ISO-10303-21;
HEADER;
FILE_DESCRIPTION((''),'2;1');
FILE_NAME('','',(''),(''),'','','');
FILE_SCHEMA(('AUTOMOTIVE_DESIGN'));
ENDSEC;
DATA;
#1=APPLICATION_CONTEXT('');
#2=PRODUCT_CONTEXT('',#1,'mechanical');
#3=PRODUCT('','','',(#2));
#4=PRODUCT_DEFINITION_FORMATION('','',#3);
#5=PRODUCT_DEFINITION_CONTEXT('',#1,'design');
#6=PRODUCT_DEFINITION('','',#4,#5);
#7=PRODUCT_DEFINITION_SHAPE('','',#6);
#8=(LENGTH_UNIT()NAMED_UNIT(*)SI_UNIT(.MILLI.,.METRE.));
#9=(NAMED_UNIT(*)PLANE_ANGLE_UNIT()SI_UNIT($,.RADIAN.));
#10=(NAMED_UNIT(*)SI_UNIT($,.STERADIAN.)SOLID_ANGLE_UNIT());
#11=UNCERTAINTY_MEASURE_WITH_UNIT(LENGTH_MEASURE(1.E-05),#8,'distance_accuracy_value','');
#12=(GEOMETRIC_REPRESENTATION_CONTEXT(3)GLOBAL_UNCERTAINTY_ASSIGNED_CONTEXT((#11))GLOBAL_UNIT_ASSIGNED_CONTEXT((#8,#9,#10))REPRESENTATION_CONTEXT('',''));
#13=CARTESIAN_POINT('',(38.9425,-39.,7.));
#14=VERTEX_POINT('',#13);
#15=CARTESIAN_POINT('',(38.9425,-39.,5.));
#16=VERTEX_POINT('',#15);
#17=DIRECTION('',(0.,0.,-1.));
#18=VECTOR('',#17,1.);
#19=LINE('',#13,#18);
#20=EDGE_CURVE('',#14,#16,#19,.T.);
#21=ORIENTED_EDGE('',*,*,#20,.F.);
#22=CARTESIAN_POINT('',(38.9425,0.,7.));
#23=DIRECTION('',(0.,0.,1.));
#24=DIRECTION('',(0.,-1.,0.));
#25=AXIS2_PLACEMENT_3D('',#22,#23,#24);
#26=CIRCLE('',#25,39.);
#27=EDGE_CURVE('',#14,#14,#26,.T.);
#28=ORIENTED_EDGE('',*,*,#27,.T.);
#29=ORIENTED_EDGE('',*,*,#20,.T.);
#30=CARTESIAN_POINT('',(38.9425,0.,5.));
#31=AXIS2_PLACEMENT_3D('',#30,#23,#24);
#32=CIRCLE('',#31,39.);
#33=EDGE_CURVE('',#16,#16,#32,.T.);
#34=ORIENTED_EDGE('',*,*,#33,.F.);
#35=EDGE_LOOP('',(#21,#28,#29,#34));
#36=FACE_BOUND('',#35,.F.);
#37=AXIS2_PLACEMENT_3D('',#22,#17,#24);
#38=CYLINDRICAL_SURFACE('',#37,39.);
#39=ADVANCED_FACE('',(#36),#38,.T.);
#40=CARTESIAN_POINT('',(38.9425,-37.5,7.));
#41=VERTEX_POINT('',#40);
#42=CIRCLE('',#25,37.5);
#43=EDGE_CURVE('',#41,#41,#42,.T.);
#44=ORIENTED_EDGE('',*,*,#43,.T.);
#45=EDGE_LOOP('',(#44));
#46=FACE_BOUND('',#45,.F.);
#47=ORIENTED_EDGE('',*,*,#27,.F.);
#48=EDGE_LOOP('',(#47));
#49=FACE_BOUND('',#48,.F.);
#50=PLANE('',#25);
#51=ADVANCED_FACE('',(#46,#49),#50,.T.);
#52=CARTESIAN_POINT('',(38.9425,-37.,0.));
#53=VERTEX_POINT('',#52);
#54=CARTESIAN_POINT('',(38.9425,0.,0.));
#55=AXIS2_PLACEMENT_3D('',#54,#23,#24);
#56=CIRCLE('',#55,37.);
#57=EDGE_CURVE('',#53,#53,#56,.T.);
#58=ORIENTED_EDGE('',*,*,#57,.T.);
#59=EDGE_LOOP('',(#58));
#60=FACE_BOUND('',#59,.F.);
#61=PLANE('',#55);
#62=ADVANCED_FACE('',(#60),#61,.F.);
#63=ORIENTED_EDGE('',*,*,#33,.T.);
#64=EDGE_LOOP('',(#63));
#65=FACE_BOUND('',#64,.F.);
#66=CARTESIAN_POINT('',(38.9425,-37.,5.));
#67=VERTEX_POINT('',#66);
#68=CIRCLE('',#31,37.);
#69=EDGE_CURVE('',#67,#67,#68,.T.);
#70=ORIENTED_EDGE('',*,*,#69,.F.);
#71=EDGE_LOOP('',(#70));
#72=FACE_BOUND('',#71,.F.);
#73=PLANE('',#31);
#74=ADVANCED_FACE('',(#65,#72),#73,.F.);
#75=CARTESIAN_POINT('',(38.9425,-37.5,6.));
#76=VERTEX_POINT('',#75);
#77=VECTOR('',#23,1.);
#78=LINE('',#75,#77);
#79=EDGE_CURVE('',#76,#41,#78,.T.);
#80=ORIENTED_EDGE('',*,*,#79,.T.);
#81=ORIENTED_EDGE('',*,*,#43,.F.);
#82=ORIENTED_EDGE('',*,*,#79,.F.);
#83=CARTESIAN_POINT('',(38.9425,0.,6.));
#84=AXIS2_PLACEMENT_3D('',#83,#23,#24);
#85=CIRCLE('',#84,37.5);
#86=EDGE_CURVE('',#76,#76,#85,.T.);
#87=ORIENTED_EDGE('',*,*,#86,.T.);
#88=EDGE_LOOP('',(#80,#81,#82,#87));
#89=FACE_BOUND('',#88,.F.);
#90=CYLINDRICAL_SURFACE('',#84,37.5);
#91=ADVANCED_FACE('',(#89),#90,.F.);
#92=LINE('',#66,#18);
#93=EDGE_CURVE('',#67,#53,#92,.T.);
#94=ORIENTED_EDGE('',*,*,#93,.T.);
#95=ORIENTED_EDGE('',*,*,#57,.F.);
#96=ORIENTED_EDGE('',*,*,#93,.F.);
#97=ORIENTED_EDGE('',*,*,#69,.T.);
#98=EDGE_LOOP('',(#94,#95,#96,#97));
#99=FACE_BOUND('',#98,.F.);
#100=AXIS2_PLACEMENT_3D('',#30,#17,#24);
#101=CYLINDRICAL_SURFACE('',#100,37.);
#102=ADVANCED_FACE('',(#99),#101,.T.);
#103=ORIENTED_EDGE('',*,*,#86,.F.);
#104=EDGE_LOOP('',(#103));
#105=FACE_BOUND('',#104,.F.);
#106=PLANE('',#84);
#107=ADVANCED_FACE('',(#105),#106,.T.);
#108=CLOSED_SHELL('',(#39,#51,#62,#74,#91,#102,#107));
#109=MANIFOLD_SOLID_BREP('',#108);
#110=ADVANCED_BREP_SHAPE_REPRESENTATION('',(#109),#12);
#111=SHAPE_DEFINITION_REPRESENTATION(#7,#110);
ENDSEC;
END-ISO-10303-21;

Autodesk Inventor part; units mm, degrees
ref_plane "XZ Plane" through (0, 0, 0) normal (0, 1, 0) x (-1, 0, 0)
ref_plane "XY Plane" through (0, 0, 0) normal (0, 0, 1) x (1, 0, 0)
sketch "草圖1" plane through (6.7908, 20.3797, 0) normal (0, 0, -1) x (-1, 0, 0)
  circle A0 centre (-32.1517, 18.5628) radius 37.1256 projected
  point P0 (6.7908, -20.3797)
ref_plane "工作平面1" through (38.9425, 38.9425, 0) normal (1, 0, 0) x (0, 1, 0)
sketch "草圖2" plane through (38.9425, 38.9425, 0) normal (1, 0, 0) x (0, 1, 0)
  line L0 (-38.9425, 0) -> (-38.9425, 6)
  line L1 (-38.9425, 6) -> (-76.4425, 6)
  line L2 (-76.4425, 6) -> (-76.4425, 7)
  line L3 (-76.4425, 7) -> (-77.9425, 7)
  line L4 (-77.9425, 7) -> (-77.9425, 5)
  line L5 (-77.9425, 5) -> (-75.9425, 5)
  line L6 (-75.9425, 5) -> (-75.9425, 0)
  line L7 (-75.9425, 0) -> (-38.9425, 0)
  dimension "d0" = 74
  dimension "d1" = 78
  dimension "d4" = 75
  dimension "d7" = 7
  dimension "d8" = 5
  dimension "d9" = 6
revolve "迴轉1" add sketch "草圖2" angle 360 about axis through (38.9425, 0, 0) along (0, 0, 1)
properties part number "下" material "SS41"
